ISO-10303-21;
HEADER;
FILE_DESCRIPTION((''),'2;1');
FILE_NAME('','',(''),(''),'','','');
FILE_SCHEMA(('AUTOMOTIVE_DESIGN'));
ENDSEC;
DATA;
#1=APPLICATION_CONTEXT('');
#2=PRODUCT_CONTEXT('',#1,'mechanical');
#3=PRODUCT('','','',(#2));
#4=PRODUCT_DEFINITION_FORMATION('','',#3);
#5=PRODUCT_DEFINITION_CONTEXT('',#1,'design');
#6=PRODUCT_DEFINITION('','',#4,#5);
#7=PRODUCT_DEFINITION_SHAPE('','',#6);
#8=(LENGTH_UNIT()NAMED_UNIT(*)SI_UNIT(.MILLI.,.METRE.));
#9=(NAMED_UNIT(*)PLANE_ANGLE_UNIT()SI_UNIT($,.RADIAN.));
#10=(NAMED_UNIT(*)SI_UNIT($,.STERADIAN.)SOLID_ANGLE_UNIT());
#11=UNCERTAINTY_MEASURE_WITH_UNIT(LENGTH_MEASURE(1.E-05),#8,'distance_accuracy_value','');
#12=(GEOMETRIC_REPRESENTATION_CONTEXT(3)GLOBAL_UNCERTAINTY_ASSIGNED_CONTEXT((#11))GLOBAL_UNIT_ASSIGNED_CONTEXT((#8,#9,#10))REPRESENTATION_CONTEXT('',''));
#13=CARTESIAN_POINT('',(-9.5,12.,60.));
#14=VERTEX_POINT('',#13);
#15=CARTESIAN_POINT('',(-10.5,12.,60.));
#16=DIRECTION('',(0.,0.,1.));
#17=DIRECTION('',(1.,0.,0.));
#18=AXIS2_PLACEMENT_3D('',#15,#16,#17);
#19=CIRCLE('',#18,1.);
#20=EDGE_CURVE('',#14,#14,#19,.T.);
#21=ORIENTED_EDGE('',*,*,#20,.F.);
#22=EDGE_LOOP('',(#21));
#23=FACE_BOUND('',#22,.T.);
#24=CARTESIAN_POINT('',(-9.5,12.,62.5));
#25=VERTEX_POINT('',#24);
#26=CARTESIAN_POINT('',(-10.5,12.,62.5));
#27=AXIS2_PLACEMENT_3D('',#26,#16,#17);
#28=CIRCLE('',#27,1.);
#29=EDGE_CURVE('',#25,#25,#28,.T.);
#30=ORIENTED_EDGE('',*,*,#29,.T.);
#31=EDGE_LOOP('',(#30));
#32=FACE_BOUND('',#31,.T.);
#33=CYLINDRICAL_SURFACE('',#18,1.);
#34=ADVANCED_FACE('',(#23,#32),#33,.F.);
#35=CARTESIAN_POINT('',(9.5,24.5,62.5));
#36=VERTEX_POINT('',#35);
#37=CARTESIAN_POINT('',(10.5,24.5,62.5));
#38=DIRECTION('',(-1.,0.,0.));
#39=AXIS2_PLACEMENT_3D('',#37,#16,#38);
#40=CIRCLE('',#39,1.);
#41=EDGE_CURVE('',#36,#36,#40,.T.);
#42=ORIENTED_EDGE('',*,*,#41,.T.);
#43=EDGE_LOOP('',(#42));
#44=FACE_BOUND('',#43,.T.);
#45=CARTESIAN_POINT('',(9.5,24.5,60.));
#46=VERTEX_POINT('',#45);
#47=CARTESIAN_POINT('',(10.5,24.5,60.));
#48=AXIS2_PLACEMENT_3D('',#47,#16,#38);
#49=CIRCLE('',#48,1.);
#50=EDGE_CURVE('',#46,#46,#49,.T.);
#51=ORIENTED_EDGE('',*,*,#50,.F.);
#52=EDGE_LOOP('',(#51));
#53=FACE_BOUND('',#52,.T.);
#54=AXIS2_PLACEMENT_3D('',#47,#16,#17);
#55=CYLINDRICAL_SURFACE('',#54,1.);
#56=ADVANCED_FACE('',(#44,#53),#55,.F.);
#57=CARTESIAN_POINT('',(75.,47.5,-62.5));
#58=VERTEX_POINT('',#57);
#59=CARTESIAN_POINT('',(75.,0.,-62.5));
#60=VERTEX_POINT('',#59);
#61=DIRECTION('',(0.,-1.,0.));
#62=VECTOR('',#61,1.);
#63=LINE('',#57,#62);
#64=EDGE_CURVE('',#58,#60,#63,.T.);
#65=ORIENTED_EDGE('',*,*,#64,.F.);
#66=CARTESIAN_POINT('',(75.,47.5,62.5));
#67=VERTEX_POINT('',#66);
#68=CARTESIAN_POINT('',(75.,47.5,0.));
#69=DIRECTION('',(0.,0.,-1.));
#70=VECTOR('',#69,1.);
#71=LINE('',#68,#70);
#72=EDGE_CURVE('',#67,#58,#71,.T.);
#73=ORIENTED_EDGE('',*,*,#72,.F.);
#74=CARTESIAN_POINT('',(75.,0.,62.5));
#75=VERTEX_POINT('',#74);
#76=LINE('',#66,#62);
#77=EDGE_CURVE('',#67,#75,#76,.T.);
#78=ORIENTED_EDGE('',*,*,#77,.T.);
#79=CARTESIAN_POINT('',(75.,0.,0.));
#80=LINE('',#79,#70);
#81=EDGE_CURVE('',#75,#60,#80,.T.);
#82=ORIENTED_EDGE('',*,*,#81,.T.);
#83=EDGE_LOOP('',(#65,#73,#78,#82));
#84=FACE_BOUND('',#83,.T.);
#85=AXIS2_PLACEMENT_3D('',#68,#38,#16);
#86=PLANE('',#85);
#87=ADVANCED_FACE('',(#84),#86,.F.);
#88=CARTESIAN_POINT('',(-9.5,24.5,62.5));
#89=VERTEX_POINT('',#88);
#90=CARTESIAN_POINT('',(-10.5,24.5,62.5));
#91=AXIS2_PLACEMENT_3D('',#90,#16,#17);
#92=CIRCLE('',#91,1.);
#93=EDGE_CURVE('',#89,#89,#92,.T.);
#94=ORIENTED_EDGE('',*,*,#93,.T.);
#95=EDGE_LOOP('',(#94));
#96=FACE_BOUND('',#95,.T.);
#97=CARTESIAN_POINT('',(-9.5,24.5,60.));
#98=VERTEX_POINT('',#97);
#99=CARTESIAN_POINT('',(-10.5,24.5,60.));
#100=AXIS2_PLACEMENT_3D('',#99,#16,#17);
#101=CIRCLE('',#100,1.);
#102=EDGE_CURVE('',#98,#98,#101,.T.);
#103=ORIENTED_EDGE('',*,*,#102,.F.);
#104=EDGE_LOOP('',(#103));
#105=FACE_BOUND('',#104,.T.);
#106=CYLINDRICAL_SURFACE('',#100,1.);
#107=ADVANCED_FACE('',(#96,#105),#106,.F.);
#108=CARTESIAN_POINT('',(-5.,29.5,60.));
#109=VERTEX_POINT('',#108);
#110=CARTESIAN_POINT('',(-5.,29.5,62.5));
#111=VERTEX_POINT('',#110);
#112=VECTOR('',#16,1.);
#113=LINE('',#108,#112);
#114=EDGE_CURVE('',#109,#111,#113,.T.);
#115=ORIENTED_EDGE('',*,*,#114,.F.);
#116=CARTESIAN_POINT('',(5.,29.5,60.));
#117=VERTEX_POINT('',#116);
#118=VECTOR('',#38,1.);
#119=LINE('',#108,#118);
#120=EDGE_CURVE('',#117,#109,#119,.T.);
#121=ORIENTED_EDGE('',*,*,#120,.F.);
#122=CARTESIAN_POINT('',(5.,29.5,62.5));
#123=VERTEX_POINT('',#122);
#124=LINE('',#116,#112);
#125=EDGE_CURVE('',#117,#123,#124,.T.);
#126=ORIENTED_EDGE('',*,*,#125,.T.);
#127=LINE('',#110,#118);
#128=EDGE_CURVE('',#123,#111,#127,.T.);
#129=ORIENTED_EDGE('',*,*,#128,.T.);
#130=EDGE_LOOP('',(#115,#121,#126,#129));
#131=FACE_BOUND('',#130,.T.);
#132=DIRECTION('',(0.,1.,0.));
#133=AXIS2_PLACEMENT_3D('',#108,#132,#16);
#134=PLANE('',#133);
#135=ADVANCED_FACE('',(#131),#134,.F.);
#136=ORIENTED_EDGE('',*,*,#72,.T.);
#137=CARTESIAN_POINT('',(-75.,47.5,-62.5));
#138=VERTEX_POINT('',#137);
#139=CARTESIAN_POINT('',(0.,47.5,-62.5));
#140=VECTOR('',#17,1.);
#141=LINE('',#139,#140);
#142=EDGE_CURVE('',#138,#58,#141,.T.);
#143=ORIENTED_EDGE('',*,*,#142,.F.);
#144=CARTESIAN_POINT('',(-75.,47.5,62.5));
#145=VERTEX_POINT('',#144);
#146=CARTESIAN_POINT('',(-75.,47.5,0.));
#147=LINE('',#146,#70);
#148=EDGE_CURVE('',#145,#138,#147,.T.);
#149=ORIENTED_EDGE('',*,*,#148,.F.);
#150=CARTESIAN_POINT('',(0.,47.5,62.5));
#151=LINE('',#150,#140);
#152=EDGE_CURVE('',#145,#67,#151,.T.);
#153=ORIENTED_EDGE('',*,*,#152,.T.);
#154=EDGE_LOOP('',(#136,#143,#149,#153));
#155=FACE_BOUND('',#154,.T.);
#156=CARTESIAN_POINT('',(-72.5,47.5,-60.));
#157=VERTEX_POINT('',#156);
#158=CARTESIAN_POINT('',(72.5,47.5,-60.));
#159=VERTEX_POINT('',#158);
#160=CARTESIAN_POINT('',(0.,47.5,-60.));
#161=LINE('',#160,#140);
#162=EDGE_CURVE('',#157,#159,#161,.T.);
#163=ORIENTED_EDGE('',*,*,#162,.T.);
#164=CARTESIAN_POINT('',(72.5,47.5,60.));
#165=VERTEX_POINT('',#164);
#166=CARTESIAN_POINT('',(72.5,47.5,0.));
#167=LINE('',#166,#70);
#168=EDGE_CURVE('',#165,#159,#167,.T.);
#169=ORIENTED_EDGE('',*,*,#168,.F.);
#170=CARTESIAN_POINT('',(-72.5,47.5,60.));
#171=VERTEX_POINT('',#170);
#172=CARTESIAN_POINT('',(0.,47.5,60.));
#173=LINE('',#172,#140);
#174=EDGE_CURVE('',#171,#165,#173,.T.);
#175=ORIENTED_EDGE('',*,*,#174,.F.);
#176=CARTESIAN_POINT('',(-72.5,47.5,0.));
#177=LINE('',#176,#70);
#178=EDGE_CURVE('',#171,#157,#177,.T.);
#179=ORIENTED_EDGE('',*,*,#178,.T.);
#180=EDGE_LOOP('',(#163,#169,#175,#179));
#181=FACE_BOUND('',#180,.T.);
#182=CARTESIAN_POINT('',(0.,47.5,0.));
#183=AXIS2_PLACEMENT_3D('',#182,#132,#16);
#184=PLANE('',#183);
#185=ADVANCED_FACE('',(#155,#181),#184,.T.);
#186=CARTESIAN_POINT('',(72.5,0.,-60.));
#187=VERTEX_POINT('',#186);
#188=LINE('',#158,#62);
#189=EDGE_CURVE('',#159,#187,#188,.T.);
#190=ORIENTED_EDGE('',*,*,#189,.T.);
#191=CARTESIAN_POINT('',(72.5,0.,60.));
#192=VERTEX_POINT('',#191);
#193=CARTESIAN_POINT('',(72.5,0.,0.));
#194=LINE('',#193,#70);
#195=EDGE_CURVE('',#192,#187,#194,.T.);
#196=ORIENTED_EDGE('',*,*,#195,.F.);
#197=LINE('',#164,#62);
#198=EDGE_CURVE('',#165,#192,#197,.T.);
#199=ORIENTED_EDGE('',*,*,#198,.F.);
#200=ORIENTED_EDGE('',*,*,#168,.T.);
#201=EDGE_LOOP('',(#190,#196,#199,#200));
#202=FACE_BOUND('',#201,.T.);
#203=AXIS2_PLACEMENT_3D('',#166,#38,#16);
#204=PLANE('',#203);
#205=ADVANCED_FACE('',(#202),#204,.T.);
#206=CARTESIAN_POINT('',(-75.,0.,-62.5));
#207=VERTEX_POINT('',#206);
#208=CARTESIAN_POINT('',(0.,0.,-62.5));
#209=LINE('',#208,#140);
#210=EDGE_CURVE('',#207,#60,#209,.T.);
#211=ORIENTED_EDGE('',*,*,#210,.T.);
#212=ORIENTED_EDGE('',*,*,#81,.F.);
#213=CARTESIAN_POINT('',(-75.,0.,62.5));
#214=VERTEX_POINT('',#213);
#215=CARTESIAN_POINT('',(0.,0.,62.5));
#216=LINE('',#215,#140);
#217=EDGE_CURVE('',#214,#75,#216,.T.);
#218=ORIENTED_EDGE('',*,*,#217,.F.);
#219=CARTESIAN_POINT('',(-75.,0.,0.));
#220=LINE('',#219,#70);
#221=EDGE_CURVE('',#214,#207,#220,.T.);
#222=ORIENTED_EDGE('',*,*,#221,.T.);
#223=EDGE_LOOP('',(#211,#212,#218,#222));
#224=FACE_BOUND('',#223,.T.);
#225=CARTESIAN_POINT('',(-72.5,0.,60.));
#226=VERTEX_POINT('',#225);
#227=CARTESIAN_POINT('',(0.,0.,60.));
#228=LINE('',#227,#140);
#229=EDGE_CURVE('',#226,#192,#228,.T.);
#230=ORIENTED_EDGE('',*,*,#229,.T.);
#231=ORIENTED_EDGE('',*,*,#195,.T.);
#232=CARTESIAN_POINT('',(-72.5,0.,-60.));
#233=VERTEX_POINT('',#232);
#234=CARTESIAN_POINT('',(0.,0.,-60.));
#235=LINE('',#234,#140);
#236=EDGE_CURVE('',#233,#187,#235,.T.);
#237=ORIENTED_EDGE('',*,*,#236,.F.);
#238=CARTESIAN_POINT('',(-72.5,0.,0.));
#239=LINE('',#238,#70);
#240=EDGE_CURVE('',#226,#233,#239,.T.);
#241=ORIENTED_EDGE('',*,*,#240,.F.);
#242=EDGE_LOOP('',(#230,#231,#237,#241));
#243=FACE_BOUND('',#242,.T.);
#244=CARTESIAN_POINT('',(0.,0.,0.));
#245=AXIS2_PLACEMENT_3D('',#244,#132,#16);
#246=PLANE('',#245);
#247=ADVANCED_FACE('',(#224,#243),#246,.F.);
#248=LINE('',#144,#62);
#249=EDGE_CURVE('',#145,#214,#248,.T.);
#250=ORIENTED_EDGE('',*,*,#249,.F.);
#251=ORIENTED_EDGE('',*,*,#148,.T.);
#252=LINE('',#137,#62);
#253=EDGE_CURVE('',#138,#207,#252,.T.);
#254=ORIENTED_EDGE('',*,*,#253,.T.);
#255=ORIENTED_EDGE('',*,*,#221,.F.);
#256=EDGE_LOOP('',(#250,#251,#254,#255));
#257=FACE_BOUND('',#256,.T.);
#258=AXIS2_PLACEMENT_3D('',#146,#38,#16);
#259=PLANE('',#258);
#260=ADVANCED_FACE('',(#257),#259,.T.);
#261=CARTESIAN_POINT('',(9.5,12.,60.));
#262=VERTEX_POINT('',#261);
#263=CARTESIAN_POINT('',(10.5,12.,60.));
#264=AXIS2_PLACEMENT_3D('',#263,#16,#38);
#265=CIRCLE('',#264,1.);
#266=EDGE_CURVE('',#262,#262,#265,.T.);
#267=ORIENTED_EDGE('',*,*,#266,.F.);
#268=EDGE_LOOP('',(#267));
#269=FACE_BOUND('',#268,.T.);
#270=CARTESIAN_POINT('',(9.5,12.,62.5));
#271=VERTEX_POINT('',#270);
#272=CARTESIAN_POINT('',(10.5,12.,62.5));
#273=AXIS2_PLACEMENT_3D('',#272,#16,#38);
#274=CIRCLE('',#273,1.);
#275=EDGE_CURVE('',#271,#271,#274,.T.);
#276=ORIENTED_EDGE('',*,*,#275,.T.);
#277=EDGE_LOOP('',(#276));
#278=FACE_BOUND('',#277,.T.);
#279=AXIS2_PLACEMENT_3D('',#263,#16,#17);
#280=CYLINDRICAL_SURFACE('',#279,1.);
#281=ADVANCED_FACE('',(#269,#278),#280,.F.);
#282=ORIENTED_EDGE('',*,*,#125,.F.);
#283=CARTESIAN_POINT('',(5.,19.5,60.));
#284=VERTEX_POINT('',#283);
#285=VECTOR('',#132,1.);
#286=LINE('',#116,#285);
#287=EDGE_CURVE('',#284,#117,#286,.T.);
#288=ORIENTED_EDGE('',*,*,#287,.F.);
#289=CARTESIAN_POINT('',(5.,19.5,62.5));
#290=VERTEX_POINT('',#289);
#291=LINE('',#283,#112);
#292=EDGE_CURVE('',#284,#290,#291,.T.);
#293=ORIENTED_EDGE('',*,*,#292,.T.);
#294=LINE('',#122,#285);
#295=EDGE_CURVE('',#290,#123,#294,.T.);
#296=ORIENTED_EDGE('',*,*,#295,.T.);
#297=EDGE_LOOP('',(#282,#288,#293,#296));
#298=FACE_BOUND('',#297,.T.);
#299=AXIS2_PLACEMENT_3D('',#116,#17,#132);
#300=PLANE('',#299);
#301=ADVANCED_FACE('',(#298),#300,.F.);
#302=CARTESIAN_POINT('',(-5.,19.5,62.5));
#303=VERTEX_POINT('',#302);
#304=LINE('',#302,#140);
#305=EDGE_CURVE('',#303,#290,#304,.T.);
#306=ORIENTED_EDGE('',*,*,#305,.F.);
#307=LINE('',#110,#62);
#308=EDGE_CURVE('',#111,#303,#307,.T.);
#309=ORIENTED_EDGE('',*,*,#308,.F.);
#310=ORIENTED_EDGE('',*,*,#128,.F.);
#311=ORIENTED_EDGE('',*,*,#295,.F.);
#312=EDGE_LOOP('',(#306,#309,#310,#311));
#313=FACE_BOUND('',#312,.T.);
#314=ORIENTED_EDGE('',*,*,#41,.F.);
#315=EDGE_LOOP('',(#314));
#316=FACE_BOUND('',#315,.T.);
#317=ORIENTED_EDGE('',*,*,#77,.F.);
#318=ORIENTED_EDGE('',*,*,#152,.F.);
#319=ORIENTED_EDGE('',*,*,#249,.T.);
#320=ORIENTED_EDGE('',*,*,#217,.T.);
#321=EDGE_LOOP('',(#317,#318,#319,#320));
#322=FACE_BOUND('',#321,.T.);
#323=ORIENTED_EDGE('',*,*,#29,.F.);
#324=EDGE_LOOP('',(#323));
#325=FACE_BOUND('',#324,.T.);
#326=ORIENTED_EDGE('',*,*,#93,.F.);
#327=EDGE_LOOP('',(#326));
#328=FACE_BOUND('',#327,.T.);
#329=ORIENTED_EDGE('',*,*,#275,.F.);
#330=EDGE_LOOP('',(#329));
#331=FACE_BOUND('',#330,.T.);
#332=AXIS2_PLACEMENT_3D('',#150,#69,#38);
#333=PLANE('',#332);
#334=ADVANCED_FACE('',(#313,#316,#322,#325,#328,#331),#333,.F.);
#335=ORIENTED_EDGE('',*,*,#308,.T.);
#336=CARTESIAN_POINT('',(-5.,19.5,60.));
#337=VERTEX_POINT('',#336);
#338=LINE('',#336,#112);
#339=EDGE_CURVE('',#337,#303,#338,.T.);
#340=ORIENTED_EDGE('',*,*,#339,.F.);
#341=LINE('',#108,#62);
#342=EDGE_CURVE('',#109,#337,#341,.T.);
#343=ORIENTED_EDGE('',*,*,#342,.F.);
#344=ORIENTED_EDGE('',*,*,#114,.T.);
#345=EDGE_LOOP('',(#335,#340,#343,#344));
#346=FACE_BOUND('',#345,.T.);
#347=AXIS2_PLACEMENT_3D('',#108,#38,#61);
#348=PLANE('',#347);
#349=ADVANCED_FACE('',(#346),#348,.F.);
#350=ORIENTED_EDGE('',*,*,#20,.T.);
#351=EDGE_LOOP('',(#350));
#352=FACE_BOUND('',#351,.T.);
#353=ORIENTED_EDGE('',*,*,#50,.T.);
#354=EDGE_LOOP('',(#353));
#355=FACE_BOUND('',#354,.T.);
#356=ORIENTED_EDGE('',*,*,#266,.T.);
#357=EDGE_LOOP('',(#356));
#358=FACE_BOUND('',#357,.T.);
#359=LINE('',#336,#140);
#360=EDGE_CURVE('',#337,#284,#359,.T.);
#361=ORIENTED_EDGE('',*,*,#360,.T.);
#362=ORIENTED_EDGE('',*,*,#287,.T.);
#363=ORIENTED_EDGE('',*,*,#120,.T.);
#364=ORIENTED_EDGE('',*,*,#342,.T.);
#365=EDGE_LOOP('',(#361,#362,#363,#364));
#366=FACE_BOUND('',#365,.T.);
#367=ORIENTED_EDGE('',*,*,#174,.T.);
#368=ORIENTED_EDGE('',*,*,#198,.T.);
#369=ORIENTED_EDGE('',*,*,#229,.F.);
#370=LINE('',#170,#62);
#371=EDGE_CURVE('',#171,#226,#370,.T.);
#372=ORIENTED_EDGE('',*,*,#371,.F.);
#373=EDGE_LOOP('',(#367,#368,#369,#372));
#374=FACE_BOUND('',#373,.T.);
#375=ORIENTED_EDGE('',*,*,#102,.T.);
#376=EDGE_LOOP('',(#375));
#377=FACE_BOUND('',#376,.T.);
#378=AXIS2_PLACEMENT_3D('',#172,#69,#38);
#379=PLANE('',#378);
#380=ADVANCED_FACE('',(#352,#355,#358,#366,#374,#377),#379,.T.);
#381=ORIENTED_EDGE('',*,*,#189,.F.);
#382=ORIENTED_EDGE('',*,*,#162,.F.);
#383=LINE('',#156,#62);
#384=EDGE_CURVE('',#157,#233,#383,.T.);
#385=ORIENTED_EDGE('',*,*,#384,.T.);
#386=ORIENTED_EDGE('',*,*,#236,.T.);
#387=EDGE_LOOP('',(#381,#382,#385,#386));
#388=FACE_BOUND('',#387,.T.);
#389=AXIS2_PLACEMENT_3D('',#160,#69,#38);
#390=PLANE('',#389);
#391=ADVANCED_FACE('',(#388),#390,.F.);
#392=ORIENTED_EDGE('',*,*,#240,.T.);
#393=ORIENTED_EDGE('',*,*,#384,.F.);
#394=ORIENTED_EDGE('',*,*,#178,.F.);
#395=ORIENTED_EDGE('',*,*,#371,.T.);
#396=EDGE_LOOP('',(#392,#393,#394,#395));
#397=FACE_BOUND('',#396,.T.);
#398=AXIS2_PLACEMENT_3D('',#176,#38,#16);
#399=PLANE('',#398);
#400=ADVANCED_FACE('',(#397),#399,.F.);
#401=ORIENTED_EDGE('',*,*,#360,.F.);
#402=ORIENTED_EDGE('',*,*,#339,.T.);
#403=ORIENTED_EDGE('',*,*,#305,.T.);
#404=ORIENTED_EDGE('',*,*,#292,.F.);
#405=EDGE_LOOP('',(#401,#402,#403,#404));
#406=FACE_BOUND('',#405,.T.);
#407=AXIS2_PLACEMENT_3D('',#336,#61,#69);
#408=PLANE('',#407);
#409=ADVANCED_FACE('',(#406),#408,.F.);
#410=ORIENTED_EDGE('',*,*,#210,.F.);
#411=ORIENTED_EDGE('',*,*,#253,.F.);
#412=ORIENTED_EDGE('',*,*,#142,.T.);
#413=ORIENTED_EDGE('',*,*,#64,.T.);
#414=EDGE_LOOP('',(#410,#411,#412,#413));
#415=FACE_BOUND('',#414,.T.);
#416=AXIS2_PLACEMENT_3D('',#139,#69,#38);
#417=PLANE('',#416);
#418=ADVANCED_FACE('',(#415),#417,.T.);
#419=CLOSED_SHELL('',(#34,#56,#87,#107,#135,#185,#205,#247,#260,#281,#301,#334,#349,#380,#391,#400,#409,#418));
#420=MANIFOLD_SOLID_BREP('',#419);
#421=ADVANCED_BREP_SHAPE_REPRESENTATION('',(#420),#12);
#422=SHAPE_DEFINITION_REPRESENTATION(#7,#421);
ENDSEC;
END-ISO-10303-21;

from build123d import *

# Parameters (mm, degrees)
SKETCH1_W           = 150
SKETCH1_H           = 125
BOSS_EXTRUDE1_DEPTH = 47.5
SHELL1_T            = -2.5
SKETCH2_R           = 1
SKETCH2_W           = 10
SKETCH2_H           = 10
CUT_EXTRUDE1_DEPTH  = 2.5


with BuildPart() as part:
    # Sketch1 → Boss-Extrude1 (new body)
    with BuildSketch(Plane(origin=(0, 0, 0), x_dir=(1, 0, 0), z_dir=(0, 1, 0))):
        Rectangle(SKETCH1_W, SKETCH1_H)
    extrude(amount=BOSS_EXTRUDE1_DEPTH)

    # Shell1
    shell1_openings = [part.faces().sort_by_distance(p)[0] for p in [
        (0, 47.5, 0),
        (0, 0, 0),
    ]]
    offset(amount=SHELL1_T, openings=shell1_openings, kind=Kind.INTERSECTION)

    # Sketch2 → Cut-Extrude1 (cut)
    with BuildSketch(Plane.XY.offset(62.5)):
        with Locations((-10.5, 12)):
            Circle(SKETCH2_R)
        with Locations((-10.5, 24.5)):
            Circle(SKETCH2_R)
        with Locations((10.5, 12)):
            Circle(SKETCH2_R)
        with Locations((10.5, 24.5)):
            Circle(SKETCH2_R)
        with Locations((0, 24.5)):
            Rectangle(SKETCH2_W, SKETCH2_H)
    extrude(amount=-CUT_EXTRUDE1_DEPTH, mode=Mode.SUBTRACT)


solid = part.part
